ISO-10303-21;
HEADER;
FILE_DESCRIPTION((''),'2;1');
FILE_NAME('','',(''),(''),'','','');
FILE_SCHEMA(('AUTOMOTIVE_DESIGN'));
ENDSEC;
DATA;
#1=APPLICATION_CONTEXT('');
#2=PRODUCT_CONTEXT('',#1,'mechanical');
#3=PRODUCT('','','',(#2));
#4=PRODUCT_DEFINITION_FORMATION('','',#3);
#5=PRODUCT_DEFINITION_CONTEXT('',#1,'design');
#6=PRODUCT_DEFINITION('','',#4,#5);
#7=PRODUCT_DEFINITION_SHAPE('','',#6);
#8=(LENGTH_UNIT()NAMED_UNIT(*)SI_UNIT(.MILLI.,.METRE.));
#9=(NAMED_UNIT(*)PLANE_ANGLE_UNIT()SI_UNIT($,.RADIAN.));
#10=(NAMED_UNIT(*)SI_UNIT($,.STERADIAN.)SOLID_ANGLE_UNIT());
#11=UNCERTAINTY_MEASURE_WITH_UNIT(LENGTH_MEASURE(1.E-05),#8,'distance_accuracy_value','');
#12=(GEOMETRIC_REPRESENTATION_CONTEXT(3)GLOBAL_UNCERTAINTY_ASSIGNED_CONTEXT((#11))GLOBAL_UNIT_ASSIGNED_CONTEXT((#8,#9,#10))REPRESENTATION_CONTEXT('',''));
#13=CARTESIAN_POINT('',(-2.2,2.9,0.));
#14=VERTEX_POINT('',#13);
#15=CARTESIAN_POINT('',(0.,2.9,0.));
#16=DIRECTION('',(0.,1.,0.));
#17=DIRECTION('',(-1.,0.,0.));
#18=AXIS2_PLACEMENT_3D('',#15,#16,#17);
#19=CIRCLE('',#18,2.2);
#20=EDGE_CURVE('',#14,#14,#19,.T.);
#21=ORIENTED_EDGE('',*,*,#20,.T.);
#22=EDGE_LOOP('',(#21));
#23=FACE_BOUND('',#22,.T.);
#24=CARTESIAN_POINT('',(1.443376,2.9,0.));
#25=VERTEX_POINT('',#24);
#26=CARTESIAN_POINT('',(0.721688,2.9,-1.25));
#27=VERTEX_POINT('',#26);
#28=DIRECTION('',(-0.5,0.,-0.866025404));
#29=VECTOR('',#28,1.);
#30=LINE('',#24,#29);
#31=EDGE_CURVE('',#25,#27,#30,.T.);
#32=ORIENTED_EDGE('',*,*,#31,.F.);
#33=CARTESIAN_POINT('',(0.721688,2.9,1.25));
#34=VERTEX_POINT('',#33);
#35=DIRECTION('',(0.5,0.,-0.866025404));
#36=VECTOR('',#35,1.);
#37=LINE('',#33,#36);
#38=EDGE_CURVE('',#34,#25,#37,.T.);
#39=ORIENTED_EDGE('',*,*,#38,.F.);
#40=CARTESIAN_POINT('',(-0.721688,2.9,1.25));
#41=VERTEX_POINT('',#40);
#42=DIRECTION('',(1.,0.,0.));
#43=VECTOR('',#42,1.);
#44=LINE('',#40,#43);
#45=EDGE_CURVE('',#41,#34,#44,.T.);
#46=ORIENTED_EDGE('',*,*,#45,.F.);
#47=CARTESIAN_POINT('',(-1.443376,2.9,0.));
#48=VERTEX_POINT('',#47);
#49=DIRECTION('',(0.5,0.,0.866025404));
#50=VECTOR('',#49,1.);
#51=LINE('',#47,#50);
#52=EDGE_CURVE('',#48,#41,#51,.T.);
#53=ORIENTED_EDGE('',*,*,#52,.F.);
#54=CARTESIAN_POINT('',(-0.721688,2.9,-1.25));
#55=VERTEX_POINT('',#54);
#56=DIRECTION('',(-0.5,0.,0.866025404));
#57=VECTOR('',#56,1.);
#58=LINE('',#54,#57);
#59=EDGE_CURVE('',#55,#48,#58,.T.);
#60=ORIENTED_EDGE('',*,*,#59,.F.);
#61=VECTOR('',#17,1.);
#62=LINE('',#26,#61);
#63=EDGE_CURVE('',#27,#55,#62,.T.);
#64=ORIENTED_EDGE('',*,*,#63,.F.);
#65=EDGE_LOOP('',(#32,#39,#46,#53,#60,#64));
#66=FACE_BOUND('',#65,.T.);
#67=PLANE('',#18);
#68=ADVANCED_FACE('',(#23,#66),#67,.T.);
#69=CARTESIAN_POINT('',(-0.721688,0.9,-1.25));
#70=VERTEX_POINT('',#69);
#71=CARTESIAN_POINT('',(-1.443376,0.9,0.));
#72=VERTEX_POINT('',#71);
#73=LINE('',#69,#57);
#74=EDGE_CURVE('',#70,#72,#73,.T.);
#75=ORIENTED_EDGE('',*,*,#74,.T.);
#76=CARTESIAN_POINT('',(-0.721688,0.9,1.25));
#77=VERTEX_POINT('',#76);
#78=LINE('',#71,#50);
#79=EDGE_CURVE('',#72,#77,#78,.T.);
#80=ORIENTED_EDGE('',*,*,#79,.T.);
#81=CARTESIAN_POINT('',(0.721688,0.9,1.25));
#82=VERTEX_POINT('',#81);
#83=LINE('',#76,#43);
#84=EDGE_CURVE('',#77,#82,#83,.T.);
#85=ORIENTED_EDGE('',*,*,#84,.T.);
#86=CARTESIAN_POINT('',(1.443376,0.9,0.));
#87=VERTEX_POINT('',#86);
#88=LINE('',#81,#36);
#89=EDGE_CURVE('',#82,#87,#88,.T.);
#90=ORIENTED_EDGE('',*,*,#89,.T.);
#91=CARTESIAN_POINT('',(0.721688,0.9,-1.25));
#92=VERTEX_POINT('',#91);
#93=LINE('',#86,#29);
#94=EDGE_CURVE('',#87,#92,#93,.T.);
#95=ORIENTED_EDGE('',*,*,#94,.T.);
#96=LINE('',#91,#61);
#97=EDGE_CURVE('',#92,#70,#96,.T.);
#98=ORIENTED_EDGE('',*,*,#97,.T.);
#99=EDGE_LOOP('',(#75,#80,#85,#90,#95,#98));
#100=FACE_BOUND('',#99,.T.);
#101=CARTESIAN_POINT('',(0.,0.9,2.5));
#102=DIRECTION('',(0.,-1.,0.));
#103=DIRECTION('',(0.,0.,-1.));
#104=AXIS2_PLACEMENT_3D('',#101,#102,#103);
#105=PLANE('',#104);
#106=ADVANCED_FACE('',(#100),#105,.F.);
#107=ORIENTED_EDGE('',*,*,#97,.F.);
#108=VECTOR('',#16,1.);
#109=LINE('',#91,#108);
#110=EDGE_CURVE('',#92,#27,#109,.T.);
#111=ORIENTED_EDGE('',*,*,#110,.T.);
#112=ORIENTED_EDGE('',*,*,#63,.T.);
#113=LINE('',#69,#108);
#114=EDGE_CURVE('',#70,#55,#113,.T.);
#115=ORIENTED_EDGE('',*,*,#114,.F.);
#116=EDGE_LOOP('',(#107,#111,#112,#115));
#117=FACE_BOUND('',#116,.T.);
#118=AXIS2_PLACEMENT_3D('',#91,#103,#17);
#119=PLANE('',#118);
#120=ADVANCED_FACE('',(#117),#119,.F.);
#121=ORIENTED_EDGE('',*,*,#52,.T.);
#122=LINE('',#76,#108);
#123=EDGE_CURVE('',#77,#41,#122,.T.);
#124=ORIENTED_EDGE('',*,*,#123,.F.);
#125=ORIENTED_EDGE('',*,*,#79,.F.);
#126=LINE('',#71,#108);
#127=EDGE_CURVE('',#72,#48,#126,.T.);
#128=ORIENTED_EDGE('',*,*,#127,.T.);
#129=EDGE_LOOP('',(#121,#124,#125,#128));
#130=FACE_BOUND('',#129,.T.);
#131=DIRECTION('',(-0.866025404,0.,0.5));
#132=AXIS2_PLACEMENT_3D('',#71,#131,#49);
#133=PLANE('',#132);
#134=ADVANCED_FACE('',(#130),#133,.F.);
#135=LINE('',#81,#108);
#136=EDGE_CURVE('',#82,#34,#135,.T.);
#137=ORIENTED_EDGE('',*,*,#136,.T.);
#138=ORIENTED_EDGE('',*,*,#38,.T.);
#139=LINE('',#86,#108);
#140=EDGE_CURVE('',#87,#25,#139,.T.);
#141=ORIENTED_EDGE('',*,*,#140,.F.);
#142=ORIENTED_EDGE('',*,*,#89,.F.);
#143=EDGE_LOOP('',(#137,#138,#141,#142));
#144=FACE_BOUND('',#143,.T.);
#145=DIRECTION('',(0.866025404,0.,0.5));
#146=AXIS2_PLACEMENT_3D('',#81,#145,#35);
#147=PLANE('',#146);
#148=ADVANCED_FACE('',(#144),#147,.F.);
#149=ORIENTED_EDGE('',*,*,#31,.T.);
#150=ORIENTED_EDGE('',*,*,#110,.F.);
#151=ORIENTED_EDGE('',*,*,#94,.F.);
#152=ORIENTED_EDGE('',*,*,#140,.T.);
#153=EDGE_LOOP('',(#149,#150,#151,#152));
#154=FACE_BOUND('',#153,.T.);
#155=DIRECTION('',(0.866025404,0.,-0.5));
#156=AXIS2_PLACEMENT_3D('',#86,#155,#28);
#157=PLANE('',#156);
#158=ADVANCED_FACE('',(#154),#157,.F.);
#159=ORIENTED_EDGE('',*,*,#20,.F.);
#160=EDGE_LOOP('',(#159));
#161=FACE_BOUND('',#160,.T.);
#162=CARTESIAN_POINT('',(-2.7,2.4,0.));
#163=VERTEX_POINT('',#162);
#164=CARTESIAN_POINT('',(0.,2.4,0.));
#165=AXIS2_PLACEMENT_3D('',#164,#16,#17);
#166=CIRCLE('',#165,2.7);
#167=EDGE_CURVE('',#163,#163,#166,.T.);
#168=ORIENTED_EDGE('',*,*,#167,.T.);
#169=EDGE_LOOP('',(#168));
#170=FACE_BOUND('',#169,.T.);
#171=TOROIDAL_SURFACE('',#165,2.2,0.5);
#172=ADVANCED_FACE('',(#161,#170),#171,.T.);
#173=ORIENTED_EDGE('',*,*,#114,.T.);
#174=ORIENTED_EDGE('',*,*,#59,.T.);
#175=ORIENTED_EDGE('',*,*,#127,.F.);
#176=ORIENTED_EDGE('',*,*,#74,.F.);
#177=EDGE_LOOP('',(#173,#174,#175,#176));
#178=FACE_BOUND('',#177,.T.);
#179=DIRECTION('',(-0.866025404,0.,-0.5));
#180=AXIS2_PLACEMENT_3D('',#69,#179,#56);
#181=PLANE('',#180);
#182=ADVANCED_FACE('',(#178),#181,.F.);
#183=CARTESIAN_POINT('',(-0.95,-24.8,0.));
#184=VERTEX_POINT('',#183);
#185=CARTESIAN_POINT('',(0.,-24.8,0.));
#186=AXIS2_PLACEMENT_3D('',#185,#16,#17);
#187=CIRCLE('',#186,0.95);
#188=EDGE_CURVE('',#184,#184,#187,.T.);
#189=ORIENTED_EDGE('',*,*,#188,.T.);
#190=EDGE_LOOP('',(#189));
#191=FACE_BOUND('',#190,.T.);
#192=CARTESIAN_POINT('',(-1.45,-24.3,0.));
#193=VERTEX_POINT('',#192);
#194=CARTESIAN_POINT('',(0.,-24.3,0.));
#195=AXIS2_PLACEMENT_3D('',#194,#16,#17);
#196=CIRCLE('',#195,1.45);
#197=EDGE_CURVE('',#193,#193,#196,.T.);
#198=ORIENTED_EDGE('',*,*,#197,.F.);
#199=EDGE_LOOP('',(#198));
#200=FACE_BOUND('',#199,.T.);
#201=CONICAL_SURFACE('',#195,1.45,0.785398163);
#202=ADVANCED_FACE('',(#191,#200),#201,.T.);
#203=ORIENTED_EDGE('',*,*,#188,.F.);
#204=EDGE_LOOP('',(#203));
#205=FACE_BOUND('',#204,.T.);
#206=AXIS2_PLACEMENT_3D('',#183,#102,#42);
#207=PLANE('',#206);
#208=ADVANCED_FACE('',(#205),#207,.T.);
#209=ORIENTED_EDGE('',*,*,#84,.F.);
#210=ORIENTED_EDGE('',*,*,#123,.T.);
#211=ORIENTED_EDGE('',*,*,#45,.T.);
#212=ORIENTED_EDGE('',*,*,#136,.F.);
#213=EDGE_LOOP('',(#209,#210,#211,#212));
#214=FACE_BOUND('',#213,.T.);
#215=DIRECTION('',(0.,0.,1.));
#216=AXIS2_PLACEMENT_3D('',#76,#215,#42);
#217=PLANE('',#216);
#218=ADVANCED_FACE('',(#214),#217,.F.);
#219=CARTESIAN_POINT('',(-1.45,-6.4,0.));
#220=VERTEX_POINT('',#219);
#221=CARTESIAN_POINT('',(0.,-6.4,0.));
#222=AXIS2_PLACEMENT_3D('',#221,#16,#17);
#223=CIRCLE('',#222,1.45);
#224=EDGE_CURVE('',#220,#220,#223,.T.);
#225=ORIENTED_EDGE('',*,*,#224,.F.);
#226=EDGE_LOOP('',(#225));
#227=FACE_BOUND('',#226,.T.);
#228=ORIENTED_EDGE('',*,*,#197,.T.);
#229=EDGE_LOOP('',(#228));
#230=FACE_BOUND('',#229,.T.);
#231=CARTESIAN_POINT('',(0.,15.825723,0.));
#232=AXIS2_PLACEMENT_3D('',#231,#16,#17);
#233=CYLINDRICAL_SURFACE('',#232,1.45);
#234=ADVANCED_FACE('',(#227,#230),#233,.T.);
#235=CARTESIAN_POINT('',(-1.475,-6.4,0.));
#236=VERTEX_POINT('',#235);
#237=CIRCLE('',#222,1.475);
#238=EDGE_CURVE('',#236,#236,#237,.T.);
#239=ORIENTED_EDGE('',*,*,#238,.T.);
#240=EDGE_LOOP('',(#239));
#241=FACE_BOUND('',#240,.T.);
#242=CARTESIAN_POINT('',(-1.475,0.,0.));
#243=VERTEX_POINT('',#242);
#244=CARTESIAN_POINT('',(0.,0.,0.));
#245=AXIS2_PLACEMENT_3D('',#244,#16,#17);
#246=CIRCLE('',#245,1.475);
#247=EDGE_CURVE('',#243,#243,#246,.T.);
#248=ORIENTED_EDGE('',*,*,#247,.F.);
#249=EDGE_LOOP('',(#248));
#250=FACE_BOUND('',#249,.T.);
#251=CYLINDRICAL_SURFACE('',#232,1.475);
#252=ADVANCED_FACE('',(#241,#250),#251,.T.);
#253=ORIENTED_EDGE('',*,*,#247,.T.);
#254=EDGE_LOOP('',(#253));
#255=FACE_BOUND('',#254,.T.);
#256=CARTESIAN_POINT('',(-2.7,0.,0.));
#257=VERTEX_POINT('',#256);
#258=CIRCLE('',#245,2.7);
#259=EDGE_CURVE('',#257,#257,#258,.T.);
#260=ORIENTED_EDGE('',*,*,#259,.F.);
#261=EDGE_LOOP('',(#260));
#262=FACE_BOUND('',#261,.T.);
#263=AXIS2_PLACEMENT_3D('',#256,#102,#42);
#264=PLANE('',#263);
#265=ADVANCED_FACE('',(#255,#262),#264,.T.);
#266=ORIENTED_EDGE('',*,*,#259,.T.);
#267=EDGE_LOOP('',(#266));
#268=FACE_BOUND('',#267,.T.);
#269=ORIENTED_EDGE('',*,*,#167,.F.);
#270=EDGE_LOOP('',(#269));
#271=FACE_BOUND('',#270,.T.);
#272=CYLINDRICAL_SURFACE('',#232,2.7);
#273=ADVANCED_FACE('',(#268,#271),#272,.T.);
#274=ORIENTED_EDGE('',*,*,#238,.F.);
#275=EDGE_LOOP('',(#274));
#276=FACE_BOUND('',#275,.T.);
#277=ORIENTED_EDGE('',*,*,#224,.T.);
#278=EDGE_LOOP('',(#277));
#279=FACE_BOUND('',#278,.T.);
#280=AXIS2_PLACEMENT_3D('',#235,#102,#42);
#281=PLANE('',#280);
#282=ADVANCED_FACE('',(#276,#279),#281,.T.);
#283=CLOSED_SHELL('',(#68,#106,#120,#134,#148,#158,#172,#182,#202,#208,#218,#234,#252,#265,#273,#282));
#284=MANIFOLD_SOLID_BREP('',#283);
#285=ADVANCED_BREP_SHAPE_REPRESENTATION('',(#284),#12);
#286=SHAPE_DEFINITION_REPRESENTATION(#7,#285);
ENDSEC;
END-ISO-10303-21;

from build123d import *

# Parameters (mm, degrees)
ENL_V_MAT_EXTRU_1_DEPTH = 2


with BuildPart() as part:
    # Esquisse1 → Révolution1 (revolve)
    with BuildSketch(Plane.XY):
        with BuildLine():
            Line((0, 2.9), (-2.2, 2.9))
            ThreePointArc((-2.2, 2.9), (-2.553553391, 2.753553391), (-2.7, 2.4))
            Line((-2.7, 2.4), (-2.7, 0))
            Line((-2.7, 0), (-1.475, 0))
            Line((-1.475, 0), (-1.475, -6.4))
            Line((-1.475, -6.4), (-1.45, -6.4))
            Line((-1.45, -6.4), (-1.45, -24.3))
            Line((-1.45, -24.3), (-0.95, -24.8))
            Line((-0.95, -24.8), (0, -24.8))
            Line((0, -24.8), (0, 2.9))
        make_face()
    revolve(axis=Axis((0, 15.825722622, 0), (0, -1, 0)))

    # Esquisse2 → Enlèv. mat.-Extru.1 (cut)
    with BuildSketch(Plane(origin=(0, 2.9, 0), x_dir=(-1, 0, 0), z_dir=(0, 1, 0))):
        Polygon((-1.443375673, 0), (-0.721687836, -1.25), (0.721687836, -1.25), (1.443375673, 0), (0.721687836, 1.25), (-0.721687836, 1.25), align=None)
    extrude(amount=-ENL_V_MAT_EXTRU_1_DEPTH, mode=Mode.SUBTRACT)


solid = part.part
